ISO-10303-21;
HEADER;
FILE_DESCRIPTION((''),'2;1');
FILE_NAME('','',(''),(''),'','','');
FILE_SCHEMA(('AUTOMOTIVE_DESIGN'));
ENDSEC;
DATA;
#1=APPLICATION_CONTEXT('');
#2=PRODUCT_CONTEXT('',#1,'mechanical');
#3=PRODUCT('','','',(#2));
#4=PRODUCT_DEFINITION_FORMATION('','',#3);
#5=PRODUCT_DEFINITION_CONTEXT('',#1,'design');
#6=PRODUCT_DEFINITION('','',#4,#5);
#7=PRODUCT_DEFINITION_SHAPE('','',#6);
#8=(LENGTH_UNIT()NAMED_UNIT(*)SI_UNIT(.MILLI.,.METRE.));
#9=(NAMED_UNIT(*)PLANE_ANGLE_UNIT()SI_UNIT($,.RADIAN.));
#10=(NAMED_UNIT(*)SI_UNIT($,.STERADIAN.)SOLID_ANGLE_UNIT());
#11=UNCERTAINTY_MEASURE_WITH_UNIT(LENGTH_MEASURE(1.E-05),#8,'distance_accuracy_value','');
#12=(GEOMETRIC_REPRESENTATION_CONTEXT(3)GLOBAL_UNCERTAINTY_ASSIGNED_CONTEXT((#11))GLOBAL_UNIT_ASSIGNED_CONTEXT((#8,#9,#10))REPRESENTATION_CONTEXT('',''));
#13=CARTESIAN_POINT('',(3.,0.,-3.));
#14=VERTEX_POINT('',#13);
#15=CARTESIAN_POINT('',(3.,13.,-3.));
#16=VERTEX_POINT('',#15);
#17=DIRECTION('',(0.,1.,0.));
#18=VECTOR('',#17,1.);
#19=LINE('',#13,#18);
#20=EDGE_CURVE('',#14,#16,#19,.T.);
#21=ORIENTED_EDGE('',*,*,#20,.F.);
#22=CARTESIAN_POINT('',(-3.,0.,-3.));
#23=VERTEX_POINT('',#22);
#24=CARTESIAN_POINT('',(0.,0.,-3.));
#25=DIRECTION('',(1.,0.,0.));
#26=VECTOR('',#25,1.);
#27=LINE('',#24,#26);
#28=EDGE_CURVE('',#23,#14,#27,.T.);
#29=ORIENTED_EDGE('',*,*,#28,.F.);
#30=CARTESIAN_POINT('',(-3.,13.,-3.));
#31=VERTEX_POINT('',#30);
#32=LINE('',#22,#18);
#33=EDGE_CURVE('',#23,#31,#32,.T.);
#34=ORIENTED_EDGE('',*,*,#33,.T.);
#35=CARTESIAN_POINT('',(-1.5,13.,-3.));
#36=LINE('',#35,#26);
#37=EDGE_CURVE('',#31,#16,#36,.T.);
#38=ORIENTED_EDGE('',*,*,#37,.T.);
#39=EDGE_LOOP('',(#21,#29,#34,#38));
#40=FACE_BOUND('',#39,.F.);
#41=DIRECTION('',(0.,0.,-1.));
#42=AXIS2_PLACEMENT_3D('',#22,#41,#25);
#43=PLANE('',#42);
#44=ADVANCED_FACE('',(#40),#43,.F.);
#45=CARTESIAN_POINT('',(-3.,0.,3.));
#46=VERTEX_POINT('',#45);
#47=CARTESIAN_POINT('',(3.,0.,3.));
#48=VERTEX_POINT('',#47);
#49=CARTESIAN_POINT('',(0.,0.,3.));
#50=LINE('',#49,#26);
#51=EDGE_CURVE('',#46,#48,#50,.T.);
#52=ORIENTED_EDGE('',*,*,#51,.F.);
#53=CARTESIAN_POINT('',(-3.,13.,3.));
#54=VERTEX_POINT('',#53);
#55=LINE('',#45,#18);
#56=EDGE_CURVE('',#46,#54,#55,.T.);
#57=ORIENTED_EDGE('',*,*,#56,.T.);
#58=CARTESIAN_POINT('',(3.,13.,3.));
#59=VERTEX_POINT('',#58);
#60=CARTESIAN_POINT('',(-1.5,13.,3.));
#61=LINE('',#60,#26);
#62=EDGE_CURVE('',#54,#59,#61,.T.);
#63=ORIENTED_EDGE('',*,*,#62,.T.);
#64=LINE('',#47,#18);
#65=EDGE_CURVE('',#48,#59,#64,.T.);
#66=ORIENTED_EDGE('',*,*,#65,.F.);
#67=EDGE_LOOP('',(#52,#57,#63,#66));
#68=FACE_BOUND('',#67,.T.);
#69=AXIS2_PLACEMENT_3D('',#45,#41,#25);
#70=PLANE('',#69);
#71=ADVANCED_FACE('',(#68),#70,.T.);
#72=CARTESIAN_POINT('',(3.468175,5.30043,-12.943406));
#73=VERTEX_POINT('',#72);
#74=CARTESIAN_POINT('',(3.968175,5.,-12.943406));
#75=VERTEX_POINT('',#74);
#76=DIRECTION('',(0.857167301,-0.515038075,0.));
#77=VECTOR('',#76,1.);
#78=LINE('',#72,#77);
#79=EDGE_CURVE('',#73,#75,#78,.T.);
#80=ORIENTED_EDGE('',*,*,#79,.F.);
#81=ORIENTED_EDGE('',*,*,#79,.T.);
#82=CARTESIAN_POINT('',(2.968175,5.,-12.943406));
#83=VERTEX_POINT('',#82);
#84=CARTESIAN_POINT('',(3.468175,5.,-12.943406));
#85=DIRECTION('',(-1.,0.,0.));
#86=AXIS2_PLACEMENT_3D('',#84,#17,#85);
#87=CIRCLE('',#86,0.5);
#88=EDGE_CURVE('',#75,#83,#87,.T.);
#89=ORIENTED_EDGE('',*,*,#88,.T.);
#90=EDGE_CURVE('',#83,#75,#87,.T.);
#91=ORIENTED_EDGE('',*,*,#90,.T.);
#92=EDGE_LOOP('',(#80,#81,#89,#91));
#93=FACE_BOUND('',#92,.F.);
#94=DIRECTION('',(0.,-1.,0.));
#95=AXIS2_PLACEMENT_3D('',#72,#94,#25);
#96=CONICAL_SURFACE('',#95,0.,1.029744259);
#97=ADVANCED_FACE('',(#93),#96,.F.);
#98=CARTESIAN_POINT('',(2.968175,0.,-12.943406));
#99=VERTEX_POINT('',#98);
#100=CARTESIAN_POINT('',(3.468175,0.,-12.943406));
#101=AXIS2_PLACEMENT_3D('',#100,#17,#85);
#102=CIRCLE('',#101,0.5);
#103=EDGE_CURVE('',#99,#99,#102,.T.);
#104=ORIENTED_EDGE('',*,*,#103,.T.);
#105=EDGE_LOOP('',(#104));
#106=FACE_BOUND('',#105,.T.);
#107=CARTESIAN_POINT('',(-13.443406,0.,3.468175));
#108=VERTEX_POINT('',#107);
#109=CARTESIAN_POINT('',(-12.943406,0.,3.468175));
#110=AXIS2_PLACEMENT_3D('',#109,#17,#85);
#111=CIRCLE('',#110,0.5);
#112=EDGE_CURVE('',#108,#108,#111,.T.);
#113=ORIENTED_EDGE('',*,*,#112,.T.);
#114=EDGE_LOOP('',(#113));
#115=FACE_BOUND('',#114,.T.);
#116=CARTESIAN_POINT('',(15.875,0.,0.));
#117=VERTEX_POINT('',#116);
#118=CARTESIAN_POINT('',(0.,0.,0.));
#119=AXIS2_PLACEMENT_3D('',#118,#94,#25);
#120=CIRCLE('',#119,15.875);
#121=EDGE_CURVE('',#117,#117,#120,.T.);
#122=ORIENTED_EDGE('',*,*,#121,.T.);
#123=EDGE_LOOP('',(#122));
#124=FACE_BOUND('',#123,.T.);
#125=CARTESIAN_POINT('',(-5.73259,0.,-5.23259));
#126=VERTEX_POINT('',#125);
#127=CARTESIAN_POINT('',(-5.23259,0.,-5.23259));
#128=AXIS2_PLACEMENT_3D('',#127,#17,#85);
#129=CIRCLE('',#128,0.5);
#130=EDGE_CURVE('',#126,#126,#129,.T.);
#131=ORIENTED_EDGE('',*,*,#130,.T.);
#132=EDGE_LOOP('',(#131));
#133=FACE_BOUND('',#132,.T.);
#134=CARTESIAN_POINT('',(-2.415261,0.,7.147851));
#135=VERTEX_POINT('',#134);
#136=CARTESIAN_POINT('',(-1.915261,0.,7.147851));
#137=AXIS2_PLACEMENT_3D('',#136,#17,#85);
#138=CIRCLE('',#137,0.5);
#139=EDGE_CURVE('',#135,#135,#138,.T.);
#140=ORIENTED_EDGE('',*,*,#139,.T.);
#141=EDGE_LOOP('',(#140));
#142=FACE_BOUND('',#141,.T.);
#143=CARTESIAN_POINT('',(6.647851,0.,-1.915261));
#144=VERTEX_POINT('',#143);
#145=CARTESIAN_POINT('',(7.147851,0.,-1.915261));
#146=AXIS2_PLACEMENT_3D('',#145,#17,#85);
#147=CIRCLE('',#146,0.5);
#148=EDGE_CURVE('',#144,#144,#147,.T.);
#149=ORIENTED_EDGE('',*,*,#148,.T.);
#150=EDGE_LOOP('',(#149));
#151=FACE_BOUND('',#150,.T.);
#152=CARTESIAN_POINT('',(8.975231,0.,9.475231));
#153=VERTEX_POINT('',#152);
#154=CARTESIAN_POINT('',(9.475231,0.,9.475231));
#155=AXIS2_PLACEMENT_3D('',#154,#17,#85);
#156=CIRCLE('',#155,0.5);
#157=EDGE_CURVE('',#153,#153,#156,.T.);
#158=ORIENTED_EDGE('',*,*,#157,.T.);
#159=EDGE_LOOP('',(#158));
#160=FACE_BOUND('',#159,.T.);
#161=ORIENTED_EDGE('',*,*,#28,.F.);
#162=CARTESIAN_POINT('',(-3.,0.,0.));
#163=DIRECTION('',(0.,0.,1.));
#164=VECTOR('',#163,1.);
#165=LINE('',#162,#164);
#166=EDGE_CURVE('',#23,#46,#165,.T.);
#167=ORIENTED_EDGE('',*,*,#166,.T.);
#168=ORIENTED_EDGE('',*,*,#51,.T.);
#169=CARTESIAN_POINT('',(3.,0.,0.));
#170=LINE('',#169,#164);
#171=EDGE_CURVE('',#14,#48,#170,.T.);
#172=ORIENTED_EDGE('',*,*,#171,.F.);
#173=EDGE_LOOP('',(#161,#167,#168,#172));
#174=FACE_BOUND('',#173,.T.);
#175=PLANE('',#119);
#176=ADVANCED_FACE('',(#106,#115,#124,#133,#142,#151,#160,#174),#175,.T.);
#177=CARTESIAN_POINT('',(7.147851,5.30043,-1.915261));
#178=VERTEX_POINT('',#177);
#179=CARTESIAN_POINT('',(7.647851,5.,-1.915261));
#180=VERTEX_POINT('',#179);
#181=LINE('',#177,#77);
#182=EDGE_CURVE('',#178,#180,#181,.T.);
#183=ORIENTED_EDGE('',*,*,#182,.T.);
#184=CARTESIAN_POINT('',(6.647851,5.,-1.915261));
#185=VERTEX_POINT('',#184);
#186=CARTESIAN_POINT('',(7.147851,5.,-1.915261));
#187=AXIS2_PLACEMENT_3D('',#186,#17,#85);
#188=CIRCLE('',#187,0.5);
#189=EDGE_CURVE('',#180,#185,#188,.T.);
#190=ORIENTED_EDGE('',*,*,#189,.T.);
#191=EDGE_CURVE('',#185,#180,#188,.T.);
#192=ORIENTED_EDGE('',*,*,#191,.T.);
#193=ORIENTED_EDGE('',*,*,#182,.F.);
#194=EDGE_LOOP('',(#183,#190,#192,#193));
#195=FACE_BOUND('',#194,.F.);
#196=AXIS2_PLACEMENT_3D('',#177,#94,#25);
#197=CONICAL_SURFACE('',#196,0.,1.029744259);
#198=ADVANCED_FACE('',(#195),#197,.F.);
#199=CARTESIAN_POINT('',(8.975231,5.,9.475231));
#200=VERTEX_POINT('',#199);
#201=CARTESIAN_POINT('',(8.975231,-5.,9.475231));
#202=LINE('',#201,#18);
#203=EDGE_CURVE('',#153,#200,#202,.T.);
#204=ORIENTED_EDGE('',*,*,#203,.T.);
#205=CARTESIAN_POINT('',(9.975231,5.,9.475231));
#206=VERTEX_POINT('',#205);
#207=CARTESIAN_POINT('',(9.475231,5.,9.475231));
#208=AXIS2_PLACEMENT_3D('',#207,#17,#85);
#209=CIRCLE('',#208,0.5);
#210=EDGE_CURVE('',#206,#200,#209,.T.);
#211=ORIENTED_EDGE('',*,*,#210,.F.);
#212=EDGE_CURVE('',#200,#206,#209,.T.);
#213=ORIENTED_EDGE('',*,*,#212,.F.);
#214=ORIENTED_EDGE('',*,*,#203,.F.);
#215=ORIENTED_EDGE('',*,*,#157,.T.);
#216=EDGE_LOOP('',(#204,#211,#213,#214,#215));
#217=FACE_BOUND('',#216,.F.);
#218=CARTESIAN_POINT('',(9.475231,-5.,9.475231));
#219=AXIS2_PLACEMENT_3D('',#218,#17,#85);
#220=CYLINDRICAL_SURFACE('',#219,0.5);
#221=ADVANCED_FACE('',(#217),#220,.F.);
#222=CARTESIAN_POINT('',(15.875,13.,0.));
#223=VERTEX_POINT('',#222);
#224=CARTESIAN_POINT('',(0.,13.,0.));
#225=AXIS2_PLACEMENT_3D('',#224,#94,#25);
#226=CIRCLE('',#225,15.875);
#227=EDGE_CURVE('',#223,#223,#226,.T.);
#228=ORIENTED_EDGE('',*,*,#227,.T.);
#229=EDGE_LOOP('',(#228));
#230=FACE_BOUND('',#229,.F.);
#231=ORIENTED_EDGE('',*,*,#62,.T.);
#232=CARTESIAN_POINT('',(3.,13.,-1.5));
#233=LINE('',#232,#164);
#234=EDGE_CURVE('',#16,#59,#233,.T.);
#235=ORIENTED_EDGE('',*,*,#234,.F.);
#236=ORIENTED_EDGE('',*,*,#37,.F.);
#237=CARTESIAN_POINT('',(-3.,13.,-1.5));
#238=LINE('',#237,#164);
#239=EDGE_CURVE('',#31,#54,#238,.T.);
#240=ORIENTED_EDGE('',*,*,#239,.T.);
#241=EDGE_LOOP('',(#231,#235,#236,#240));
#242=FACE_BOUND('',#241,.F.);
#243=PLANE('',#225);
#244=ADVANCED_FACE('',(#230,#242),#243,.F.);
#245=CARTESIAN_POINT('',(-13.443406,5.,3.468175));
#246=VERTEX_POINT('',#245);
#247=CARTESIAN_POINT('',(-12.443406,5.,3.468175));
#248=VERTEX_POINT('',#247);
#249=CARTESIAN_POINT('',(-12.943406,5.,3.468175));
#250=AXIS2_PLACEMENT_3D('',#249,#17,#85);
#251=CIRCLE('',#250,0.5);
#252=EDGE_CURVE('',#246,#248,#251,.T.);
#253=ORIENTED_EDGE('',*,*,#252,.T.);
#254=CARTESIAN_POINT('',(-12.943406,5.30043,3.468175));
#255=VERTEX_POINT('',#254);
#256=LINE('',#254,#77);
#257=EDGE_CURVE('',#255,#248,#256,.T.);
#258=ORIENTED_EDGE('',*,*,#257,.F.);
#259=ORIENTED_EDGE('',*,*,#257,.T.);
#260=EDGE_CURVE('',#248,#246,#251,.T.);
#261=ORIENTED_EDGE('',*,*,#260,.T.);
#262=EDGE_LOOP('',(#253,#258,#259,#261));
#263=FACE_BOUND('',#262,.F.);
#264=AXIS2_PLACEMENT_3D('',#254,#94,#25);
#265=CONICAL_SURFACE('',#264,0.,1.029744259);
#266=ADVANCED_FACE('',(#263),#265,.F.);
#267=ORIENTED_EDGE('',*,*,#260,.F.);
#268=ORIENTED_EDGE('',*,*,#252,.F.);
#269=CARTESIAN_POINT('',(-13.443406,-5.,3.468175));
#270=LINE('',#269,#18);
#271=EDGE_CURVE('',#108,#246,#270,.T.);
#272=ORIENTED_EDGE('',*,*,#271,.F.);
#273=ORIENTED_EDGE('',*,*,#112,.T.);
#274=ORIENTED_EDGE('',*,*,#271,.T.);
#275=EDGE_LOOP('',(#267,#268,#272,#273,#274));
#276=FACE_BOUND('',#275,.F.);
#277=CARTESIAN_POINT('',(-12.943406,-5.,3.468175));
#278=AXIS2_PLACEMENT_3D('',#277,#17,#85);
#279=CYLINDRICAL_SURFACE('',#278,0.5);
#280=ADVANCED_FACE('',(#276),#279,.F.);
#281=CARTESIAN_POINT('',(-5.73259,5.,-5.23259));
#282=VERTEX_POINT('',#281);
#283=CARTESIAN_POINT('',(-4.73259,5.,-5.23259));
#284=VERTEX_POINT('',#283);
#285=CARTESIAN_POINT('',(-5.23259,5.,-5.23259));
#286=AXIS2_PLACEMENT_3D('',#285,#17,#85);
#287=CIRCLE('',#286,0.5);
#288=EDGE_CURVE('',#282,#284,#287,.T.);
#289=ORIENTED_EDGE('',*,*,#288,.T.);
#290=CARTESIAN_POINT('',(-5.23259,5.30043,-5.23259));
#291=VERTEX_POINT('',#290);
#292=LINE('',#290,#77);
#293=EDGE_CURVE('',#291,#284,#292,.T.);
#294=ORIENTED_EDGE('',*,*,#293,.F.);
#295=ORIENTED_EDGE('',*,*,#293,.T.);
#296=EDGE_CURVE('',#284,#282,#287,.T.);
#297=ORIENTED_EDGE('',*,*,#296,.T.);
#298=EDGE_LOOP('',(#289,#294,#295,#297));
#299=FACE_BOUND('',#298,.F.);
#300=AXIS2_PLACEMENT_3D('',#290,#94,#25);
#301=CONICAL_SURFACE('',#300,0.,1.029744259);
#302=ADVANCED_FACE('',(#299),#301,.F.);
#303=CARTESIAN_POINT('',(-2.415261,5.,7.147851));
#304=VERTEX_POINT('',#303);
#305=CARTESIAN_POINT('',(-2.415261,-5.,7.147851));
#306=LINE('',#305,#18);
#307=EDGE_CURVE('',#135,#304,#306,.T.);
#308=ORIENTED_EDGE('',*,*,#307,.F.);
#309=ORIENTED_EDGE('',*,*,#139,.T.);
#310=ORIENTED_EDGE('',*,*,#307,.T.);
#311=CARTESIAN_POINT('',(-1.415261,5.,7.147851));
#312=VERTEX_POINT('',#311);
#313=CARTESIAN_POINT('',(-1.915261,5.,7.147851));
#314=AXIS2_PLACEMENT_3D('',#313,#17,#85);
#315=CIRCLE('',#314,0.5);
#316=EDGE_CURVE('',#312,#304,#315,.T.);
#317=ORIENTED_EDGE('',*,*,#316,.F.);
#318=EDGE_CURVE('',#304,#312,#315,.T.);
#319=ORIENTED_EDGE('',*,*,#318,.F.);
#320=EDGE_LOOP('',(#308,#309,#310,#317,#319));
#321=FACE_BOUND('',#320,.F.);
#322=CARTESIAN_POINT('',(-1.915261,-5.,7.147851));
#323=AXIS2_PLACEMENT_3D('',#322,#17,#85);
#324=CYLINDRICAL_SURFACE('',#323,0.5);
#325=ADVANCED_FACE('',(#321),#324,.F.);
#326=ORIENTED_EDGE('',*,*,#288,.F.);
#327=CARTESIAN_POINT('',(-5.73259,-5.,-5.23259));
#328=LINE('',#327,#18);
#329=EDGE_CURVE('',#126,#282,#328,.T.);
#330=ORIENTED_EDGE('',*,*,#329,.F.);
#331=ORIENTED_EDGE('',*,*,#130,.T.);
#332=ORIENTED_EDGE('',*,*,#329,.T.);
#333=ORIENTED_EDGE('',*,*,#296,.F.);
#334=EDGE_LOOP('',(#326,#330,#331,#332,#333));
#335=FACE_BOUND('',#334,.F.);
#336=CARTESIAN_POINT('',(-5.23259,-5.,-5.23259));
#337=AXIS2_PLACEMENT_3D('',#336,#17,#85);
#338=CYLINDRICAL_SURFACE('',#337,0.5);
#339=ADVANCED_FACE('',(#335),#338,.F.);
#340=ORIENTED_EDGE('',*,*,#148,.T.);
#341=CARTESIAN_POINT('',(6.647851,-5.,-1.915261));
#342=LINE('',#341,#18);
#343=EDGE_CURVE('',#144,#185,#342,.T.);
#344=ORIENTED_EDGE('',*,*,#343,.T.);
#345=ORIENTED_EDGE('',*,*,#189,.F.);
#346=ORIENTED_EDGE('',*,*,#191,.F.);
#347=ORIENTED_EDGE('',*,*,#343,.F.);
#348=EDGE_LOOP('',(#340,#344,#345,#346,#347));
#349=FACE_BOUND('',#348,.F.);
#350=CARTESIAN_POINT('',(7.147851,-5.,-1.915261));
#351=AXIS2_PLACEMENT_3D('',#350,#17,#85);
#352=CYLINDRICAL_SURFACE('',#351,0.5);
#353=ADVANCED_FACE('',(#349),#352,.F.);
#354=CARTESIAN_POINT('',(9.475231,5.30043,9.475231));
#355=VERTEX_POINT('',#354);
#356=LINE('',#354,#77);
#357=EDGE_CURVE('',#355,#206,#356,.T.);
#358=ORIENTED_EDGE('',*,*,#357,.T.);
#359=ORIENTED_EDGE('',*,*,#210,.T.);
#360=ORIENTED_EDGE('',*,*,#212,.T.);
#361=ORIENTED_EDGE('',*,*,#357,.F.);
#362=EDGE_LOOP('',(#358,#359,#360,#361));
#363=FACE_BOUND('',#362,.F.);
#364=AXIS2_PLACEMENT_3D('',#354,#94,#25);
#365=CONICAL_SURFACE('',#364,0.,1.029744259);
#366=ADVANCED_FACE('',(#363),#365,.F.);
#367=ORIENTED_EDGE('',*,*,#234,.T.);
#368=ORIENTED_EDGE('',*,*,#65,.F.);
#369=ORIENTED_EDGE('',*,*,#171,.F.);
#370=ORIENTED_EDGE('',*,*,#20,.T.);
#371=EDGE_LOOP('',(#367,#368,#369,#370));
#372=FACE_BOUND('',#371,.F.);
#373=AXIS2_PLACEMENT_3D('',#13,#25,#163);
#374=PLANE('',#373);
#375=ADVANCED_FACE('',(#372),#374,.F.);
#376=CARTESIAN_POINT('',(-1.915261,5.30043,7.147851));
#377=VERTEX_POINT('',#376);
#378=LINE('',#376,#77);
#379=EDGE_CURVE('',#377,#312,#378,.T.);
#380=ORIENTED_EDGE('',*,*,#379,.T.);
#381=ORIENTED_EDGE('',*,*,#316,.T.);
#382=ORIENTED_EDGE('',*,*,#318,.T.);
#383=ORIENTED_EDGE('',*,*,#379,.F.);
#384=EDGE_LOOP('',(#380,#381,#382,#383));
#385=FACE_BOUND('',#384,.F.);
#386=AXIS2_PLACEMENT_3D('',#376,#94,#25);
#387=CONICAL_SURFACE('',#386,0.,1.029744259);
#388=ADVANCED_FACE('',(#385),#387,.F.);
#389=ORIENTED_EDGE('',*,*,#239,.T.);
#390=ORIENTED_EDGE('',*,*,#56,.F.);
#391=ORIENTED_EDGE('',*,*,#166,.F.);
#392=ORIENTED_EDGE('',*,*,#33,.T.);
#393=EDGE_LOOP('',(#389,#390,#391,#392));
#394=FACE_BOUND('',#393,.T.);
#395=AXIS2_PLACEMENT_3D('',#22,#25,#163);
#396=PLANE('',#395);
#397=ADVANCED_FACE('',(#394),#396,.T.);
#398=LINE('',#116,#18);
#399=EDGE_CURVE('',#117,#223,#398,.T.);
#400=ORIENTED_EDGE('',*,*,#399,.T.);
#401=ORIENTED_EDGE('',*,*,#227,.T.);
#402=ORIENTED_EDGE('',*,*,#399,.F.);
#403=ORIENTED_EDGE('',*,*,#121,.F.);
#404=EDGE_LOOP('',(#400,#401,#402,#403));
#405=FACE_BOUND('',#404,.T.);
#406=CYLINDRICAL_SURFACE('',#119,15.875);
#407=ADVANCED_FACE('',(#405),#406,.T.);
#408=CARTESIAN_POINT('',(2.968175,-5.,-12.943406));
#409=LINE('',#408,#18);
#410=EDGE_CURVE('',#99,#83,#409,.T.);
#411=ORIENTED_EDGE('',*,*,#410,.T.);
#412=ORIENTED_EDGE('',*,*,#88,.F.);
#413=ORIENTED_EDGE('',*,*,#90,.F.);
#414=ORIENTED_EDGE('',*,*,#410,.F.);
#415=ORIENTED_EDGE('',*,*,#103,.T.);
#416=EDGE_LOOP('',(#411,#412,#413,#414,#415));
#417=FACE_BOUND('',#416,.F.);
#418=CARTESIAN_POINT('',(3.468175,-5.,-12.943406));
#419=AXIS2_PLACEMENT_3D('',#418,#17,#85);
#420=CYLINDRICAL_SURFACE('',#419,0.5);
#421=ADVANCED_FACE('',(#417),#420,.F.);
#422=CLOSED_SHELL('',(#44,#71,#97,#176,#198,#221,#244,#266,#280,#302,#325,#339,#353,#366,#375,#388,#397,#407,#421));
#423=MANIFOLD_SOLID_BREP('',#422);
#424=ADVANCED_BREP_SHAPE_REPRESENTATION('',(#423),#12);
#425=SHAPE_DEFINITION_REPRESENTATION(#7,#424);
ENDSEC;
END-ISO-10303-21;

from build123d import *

# Parameters (mm, degrees)
F0_R           = 15.875
F1_DEPTH       = 13
F2_W           = 6
F2_H           = 6
F3_DEPTH       = 13.001
F6_D           = 1
F6_DEPTH       = 5
F6_TIP         = 0.3004303095
F6_ON_F5_D     = 1
F6_ON_F5_DEPTH = 5
F6_ON_F5_TIP   = 0.3004303095


with BuildPart() as f1:
    # F0 (on Front) → F1 (new body)
    with BuildSketch(Plane.XZ):
        Circle(F0_R)
    extrude(amount=-F1_DEPTH)

    # F2 (on Front) → F3 (cut, through all)
    with BuildSketch(Plane.XZ):
        Rectangle(F2_W, F2_H)
    extrude(amount=-F3_DEPTH, mode=Mode.SUBTRACT)

    # F6
    with Locations(Plane.XZ):
        with Locations((9.4752308679, 9.4752308679), (3.4681752044, -12.9434060723), (-12.9434060723, 3.4681752044)):
            Hole(F6_D / 2, depth=F6_DEPTH)
            with Locations((0, 0, -(F6_DEPTH + F6_TIP / 2))):  # 118° drill point
                Cone(0, F6_D / 2, F6_TIP, mode=Mode.SUBTRACT)

    # F6 on F5
    with Locations(Plane.XZ):
        with Locations((-1.9152609338, 7.1478511145), (7.1478511145, -1.9152609338), (-5.2325901808, -5.2325901808)):
            Hole(F6_ON_F5_D / 2, depth=F6_ON_F5_DEPTH)
            with Locations((0, 0, -(F6_ON_F5_DEPTH + F6_ON_F5_TIP / 2))):  # 118° drill point
                Cone(0, F6_ON_F5_D / 2, F6_ON_F5_TIP, mode=Mode.SUBTRACT)


solid = f1.part
